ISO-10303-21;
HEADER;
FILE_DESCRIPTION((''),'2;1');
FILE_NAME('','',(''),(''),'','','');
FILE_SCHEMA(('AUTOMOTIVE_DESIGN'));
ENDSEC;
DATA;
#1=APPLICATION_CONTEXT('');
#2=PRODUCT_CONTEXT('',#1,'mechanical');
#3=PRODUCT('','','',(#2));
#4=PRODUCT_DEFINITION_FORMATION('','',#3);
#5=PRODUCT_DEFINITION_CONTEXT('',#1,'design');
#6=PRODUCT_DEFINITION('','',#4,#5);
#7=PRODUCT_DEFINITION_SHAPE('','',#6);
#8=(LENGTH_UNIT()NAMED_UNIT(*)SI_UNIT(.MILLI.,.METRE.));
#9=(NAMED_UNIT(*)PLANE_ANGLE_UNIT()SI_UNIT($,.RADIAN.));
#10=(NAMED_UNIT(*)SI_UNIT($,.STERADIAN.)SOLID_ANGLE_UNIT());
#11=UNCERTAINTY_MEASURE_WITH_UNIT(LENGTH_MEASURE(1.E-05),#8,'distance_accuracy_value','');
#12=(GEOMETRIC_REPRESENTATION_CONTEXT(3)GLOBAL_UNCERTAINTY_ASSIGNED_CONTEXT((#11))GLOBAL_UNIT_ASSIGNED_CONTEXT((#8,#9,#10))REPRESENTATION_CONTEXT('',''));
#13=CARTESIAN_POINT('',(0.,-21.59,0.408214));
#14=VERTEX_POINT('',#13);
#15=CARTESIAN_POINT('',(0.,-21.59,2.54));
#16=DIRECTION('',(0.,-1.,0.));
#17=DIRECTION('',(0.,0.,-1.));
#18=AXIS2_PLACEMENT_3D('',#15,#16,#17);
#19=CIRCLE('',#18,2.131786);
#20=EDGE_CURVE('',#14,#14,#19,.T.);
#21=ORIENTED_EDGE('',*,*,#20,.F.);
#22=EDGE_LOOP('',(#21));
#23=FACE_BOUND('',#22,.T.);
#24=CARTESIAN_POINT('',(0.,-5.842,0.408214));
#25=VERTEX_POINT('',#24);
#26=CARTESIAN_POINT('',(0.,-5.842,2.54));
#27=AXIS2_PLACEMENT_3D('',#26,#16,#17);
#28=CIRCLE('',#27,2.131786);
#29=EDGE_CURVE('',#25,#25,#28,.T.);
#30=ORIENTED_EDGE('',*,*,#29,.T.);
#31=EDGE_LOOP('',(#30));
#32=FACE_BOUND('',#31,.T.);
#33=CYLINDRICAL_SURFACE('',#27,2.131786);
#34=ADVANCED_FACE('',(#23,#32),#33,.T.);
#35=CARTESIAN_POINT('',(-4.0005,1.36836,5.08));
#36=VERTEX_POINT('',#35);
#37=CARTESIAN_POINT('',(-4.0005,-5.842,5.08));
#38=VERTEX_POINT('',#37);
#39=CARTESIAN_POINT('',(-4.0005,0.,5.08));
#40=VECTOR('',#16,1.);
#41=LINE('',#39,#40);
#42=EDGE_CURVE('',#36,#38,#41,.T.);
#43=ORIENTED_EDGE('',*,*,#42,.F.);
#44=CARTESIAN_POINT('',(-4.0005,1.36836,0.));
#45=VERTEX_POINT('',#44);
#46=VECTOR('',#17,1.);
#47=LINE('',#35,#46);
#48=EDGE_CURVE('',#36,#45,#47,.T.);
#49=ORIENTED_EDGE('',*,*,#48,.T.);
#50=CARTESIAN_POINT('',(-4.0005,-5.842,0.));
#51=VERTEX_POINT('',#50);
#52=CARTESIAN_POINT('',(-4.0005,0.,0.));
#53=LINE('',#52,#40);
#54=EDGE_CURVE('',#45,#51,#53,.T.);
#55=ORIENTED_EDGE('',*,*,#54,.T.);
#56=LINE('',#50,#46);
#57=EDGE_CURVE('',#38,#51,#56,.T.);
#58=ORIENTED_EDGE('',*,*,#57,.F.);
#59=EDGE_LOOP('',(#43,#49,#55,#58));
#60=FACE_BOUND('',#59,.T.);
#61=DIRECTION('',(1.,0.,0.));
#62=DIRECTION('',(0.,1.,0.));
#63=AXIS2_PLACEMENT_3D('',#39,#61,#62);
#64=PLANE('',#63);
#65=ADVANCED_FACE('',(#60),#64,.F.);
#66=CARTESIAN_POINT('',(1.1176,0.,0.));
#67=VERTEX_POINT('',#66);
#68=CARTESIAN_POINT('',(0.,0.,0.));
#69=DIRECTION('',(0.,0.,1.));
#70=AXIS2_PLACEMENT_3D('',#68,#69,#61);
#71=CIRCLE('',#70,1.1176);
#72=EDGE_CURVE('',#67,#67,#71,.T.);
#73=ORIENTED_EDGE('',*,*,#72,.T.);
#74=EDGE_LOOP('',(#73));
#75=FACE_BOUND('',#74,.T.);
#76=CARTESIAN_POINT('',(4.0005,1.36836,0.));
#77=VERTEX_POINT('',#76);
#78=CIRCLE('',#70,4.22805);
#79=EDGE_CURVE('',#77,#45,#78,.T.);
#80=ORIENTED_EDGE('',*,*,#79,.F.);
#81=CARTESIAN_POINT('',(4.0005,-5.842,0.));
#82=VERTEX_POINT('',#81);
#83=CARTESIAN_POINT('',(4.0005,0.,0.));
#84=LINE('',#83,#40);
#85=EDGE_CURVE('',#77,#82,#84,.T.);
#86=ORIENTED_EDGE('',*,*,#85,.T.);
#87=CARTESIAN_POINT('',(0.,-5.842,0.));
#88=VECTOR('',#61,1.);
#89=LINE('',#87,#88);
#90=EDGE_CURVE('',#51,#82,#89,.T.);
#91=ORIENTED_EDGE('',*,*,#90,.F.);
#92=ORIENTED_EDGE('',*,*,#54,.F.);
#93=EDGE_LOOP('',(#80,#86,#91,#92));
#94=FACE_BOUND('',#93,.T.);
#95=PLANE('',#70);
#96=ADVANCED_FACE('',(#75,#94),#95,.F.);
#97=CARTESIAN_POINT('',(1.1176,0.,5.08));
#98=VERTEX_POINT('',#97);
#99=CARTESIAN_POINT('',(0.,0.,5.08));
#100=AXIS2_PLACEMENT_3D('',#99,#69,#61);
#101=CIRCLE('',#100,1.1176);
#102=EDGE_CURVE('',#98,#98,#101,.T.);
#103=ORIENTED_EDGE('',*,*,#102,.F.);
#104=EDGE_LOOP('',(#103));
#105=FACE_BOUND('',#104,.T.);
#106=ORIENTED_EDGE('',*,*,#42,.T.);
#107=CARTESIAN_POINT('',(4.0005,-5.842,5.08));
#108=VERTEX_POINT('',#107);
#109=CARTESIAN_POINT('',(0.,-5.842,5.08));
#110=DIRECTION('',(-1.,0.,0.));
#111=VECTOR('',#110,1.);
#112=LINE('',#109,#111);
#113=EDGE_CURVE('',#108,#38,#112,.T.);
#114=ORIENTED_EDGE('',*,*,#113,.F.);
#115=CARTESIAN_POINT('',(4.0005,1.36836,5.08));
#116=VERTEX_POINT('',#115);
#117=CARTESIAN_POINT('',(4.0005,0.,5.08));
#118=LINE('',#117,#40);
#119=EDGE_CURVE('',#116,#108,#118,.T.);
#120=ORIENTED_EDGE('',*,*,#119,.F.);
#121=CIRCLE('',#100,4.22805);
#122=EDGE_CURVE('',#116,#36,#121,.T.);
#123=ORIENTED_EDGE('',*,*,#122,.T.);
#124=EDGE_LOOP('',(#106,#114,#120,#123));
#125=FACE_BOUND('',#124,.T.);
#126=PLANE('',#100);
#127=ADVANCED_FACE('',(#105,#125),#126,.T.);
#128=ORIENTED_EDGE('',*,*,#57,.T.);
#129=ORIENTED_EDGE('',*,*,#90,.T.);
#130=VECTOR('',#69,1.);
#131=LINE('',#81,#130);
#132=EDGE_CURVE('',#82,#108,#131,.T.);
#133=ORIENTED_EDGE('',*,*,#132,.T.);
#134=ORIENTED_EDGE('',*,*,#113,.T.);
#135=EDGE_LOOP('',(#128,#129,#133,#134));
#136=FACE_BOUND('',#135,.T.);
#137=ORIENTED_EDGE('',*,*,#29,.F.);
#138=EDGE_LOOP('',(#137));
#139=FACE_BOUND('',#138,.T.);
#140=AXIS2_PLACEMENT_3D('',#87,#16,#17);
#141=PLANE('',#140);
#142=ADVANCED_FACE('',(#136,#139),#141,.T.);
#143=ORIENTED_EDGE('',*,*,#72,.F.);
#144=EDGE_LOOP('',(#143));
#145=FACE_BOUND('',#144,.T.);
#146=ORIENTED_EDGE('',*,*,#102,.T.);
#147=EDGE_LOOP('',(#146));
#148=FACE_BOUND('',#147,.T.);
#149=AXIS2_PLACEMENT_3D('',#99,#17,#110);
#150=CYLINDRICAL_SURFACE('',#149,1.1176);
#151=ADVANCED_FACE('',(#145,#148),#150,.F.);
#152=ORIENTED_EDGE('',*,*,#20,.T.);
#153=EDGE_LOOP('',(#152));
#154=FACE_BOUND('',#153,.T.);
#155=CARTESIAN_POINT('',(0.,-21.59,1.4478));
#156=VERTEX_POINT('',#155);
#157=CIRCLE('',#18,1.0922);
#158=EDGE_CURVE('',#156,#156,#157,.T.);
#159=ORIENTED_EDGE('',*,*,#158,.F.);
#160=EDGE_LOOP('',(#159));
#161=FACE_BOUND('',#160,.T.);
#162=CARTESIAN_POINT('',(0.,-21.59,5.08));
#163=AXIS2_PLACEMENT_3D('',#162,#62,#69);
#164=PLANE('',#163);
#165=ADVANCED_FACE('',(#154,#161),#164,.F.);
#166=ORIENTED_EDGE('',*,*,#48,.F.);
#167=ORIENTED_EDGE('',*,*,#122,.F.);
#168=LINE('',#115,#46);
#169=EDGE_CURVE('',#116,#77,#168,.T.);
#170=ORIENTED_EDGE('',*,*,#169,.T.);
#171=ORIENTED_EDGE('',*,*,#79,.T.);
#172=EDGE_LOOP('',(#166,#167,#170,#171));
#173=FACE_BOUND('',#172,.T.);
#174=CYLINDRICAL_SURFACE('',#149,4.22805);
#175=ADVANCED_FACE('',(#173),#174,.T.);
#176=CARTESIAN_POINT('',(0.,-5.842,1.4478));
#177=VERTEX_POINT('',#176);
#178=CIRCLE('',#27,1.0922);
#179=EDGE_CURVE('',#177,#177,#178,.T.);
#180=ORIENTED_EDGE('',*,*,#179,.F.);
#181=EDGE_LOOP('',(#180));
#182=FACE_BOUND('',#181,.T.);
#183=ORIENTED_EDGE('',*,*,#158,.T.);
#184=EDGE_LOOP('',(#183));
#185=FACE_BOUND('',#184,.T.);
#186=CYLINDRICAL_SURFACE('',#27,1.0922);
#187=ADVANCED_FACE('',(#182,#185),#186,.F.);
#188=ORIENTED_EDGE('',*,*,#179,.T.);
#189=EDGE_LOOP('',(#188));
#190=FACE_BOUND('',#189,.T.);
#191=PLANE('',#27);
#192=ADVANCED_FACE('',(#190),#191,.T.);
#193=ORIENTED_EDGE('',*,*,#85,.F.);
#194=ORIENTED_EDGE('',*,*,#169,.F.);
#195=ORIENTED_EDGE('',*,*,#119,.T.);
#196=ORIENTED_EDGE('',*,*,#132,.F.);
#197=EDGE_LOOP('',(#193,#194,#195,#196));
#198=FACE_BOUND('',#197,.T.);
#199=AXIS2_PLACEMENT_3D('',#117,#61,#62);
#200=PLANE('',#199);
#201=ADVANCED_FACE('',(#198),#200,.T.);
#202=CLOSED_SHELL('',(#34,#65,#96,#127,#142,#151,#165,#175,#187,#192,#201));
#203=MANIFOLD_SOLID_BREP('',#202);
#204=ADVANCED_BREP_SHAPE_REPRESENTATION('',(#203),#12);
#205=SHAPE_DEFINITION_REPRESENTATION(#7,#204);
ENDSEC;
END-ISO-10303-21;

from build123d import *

# Parameters (mm, degrees)
SKETCH1_R           = 1.1176
BOSS_EXTRUDE1_DEPTH = 5.08
SKETCH2_R           = 1.0922
CUT_EXTRUDE1_DEPTH  = 15.748
SKETCH3_W           = 8.001
SKETCH3_H           = 5.08
SKETCH3_R           = 2.131785714
CUT_EXTRUDE2_DEPTH  = 15.748


with BuildPart() as part:
    # Sketch1 → Boss-Extrude1 (new body)
    with BuildSketch(Plane.XY):
        with BuildLine():
            Line((4.0005, -21.59), (4.0005, 1.368360053))
            ThreePointArc((4.0005, 1.368360053), (0, 4.228050317), (-4.0005, 1.368360053))
            Line((-4.0005, 1.368360053), (-4.0005, -21.59))
            Line((-4.0005, -21.59), (4.0005, -21.59))
        make_face()
        Circle(SKETCH1_R, mode=Mode.SUBTRACT)
    extrude(amount=BOSS_EXTRUDE1_DEPTH)

    # Sketch2 → Cut-Extrude1 (cut)
    with BuildSketch(Plane.XZ.offset(21.59)):
        with Locations(Location((0, 2.54, 0), (0, 0, 270))):
            Circle(SKETCH2_R)
    extrude(amount=-CUT_EXTRUDE1_DEPTH, mode=Mode.SUBTRACT)

    # Sketch3 → Cut-Extrude2 (cut)
    with BuildSketch(Plane.XZ.offset(21.59)):
        with Locations((0, 2.54)):
            Rectangle(SKETCH3_W, SKETCH3_H)
        with Locations(Location((0, 2.54, 0), (0, 0, 270))):
            Circle(SKETCH3_R, mode=Mode.SUBTRACT)
    extrude(amount=-CUT_EXTRUDE2_DEPTH, mode=Mode.SUBTRACT)


solid = part.part
